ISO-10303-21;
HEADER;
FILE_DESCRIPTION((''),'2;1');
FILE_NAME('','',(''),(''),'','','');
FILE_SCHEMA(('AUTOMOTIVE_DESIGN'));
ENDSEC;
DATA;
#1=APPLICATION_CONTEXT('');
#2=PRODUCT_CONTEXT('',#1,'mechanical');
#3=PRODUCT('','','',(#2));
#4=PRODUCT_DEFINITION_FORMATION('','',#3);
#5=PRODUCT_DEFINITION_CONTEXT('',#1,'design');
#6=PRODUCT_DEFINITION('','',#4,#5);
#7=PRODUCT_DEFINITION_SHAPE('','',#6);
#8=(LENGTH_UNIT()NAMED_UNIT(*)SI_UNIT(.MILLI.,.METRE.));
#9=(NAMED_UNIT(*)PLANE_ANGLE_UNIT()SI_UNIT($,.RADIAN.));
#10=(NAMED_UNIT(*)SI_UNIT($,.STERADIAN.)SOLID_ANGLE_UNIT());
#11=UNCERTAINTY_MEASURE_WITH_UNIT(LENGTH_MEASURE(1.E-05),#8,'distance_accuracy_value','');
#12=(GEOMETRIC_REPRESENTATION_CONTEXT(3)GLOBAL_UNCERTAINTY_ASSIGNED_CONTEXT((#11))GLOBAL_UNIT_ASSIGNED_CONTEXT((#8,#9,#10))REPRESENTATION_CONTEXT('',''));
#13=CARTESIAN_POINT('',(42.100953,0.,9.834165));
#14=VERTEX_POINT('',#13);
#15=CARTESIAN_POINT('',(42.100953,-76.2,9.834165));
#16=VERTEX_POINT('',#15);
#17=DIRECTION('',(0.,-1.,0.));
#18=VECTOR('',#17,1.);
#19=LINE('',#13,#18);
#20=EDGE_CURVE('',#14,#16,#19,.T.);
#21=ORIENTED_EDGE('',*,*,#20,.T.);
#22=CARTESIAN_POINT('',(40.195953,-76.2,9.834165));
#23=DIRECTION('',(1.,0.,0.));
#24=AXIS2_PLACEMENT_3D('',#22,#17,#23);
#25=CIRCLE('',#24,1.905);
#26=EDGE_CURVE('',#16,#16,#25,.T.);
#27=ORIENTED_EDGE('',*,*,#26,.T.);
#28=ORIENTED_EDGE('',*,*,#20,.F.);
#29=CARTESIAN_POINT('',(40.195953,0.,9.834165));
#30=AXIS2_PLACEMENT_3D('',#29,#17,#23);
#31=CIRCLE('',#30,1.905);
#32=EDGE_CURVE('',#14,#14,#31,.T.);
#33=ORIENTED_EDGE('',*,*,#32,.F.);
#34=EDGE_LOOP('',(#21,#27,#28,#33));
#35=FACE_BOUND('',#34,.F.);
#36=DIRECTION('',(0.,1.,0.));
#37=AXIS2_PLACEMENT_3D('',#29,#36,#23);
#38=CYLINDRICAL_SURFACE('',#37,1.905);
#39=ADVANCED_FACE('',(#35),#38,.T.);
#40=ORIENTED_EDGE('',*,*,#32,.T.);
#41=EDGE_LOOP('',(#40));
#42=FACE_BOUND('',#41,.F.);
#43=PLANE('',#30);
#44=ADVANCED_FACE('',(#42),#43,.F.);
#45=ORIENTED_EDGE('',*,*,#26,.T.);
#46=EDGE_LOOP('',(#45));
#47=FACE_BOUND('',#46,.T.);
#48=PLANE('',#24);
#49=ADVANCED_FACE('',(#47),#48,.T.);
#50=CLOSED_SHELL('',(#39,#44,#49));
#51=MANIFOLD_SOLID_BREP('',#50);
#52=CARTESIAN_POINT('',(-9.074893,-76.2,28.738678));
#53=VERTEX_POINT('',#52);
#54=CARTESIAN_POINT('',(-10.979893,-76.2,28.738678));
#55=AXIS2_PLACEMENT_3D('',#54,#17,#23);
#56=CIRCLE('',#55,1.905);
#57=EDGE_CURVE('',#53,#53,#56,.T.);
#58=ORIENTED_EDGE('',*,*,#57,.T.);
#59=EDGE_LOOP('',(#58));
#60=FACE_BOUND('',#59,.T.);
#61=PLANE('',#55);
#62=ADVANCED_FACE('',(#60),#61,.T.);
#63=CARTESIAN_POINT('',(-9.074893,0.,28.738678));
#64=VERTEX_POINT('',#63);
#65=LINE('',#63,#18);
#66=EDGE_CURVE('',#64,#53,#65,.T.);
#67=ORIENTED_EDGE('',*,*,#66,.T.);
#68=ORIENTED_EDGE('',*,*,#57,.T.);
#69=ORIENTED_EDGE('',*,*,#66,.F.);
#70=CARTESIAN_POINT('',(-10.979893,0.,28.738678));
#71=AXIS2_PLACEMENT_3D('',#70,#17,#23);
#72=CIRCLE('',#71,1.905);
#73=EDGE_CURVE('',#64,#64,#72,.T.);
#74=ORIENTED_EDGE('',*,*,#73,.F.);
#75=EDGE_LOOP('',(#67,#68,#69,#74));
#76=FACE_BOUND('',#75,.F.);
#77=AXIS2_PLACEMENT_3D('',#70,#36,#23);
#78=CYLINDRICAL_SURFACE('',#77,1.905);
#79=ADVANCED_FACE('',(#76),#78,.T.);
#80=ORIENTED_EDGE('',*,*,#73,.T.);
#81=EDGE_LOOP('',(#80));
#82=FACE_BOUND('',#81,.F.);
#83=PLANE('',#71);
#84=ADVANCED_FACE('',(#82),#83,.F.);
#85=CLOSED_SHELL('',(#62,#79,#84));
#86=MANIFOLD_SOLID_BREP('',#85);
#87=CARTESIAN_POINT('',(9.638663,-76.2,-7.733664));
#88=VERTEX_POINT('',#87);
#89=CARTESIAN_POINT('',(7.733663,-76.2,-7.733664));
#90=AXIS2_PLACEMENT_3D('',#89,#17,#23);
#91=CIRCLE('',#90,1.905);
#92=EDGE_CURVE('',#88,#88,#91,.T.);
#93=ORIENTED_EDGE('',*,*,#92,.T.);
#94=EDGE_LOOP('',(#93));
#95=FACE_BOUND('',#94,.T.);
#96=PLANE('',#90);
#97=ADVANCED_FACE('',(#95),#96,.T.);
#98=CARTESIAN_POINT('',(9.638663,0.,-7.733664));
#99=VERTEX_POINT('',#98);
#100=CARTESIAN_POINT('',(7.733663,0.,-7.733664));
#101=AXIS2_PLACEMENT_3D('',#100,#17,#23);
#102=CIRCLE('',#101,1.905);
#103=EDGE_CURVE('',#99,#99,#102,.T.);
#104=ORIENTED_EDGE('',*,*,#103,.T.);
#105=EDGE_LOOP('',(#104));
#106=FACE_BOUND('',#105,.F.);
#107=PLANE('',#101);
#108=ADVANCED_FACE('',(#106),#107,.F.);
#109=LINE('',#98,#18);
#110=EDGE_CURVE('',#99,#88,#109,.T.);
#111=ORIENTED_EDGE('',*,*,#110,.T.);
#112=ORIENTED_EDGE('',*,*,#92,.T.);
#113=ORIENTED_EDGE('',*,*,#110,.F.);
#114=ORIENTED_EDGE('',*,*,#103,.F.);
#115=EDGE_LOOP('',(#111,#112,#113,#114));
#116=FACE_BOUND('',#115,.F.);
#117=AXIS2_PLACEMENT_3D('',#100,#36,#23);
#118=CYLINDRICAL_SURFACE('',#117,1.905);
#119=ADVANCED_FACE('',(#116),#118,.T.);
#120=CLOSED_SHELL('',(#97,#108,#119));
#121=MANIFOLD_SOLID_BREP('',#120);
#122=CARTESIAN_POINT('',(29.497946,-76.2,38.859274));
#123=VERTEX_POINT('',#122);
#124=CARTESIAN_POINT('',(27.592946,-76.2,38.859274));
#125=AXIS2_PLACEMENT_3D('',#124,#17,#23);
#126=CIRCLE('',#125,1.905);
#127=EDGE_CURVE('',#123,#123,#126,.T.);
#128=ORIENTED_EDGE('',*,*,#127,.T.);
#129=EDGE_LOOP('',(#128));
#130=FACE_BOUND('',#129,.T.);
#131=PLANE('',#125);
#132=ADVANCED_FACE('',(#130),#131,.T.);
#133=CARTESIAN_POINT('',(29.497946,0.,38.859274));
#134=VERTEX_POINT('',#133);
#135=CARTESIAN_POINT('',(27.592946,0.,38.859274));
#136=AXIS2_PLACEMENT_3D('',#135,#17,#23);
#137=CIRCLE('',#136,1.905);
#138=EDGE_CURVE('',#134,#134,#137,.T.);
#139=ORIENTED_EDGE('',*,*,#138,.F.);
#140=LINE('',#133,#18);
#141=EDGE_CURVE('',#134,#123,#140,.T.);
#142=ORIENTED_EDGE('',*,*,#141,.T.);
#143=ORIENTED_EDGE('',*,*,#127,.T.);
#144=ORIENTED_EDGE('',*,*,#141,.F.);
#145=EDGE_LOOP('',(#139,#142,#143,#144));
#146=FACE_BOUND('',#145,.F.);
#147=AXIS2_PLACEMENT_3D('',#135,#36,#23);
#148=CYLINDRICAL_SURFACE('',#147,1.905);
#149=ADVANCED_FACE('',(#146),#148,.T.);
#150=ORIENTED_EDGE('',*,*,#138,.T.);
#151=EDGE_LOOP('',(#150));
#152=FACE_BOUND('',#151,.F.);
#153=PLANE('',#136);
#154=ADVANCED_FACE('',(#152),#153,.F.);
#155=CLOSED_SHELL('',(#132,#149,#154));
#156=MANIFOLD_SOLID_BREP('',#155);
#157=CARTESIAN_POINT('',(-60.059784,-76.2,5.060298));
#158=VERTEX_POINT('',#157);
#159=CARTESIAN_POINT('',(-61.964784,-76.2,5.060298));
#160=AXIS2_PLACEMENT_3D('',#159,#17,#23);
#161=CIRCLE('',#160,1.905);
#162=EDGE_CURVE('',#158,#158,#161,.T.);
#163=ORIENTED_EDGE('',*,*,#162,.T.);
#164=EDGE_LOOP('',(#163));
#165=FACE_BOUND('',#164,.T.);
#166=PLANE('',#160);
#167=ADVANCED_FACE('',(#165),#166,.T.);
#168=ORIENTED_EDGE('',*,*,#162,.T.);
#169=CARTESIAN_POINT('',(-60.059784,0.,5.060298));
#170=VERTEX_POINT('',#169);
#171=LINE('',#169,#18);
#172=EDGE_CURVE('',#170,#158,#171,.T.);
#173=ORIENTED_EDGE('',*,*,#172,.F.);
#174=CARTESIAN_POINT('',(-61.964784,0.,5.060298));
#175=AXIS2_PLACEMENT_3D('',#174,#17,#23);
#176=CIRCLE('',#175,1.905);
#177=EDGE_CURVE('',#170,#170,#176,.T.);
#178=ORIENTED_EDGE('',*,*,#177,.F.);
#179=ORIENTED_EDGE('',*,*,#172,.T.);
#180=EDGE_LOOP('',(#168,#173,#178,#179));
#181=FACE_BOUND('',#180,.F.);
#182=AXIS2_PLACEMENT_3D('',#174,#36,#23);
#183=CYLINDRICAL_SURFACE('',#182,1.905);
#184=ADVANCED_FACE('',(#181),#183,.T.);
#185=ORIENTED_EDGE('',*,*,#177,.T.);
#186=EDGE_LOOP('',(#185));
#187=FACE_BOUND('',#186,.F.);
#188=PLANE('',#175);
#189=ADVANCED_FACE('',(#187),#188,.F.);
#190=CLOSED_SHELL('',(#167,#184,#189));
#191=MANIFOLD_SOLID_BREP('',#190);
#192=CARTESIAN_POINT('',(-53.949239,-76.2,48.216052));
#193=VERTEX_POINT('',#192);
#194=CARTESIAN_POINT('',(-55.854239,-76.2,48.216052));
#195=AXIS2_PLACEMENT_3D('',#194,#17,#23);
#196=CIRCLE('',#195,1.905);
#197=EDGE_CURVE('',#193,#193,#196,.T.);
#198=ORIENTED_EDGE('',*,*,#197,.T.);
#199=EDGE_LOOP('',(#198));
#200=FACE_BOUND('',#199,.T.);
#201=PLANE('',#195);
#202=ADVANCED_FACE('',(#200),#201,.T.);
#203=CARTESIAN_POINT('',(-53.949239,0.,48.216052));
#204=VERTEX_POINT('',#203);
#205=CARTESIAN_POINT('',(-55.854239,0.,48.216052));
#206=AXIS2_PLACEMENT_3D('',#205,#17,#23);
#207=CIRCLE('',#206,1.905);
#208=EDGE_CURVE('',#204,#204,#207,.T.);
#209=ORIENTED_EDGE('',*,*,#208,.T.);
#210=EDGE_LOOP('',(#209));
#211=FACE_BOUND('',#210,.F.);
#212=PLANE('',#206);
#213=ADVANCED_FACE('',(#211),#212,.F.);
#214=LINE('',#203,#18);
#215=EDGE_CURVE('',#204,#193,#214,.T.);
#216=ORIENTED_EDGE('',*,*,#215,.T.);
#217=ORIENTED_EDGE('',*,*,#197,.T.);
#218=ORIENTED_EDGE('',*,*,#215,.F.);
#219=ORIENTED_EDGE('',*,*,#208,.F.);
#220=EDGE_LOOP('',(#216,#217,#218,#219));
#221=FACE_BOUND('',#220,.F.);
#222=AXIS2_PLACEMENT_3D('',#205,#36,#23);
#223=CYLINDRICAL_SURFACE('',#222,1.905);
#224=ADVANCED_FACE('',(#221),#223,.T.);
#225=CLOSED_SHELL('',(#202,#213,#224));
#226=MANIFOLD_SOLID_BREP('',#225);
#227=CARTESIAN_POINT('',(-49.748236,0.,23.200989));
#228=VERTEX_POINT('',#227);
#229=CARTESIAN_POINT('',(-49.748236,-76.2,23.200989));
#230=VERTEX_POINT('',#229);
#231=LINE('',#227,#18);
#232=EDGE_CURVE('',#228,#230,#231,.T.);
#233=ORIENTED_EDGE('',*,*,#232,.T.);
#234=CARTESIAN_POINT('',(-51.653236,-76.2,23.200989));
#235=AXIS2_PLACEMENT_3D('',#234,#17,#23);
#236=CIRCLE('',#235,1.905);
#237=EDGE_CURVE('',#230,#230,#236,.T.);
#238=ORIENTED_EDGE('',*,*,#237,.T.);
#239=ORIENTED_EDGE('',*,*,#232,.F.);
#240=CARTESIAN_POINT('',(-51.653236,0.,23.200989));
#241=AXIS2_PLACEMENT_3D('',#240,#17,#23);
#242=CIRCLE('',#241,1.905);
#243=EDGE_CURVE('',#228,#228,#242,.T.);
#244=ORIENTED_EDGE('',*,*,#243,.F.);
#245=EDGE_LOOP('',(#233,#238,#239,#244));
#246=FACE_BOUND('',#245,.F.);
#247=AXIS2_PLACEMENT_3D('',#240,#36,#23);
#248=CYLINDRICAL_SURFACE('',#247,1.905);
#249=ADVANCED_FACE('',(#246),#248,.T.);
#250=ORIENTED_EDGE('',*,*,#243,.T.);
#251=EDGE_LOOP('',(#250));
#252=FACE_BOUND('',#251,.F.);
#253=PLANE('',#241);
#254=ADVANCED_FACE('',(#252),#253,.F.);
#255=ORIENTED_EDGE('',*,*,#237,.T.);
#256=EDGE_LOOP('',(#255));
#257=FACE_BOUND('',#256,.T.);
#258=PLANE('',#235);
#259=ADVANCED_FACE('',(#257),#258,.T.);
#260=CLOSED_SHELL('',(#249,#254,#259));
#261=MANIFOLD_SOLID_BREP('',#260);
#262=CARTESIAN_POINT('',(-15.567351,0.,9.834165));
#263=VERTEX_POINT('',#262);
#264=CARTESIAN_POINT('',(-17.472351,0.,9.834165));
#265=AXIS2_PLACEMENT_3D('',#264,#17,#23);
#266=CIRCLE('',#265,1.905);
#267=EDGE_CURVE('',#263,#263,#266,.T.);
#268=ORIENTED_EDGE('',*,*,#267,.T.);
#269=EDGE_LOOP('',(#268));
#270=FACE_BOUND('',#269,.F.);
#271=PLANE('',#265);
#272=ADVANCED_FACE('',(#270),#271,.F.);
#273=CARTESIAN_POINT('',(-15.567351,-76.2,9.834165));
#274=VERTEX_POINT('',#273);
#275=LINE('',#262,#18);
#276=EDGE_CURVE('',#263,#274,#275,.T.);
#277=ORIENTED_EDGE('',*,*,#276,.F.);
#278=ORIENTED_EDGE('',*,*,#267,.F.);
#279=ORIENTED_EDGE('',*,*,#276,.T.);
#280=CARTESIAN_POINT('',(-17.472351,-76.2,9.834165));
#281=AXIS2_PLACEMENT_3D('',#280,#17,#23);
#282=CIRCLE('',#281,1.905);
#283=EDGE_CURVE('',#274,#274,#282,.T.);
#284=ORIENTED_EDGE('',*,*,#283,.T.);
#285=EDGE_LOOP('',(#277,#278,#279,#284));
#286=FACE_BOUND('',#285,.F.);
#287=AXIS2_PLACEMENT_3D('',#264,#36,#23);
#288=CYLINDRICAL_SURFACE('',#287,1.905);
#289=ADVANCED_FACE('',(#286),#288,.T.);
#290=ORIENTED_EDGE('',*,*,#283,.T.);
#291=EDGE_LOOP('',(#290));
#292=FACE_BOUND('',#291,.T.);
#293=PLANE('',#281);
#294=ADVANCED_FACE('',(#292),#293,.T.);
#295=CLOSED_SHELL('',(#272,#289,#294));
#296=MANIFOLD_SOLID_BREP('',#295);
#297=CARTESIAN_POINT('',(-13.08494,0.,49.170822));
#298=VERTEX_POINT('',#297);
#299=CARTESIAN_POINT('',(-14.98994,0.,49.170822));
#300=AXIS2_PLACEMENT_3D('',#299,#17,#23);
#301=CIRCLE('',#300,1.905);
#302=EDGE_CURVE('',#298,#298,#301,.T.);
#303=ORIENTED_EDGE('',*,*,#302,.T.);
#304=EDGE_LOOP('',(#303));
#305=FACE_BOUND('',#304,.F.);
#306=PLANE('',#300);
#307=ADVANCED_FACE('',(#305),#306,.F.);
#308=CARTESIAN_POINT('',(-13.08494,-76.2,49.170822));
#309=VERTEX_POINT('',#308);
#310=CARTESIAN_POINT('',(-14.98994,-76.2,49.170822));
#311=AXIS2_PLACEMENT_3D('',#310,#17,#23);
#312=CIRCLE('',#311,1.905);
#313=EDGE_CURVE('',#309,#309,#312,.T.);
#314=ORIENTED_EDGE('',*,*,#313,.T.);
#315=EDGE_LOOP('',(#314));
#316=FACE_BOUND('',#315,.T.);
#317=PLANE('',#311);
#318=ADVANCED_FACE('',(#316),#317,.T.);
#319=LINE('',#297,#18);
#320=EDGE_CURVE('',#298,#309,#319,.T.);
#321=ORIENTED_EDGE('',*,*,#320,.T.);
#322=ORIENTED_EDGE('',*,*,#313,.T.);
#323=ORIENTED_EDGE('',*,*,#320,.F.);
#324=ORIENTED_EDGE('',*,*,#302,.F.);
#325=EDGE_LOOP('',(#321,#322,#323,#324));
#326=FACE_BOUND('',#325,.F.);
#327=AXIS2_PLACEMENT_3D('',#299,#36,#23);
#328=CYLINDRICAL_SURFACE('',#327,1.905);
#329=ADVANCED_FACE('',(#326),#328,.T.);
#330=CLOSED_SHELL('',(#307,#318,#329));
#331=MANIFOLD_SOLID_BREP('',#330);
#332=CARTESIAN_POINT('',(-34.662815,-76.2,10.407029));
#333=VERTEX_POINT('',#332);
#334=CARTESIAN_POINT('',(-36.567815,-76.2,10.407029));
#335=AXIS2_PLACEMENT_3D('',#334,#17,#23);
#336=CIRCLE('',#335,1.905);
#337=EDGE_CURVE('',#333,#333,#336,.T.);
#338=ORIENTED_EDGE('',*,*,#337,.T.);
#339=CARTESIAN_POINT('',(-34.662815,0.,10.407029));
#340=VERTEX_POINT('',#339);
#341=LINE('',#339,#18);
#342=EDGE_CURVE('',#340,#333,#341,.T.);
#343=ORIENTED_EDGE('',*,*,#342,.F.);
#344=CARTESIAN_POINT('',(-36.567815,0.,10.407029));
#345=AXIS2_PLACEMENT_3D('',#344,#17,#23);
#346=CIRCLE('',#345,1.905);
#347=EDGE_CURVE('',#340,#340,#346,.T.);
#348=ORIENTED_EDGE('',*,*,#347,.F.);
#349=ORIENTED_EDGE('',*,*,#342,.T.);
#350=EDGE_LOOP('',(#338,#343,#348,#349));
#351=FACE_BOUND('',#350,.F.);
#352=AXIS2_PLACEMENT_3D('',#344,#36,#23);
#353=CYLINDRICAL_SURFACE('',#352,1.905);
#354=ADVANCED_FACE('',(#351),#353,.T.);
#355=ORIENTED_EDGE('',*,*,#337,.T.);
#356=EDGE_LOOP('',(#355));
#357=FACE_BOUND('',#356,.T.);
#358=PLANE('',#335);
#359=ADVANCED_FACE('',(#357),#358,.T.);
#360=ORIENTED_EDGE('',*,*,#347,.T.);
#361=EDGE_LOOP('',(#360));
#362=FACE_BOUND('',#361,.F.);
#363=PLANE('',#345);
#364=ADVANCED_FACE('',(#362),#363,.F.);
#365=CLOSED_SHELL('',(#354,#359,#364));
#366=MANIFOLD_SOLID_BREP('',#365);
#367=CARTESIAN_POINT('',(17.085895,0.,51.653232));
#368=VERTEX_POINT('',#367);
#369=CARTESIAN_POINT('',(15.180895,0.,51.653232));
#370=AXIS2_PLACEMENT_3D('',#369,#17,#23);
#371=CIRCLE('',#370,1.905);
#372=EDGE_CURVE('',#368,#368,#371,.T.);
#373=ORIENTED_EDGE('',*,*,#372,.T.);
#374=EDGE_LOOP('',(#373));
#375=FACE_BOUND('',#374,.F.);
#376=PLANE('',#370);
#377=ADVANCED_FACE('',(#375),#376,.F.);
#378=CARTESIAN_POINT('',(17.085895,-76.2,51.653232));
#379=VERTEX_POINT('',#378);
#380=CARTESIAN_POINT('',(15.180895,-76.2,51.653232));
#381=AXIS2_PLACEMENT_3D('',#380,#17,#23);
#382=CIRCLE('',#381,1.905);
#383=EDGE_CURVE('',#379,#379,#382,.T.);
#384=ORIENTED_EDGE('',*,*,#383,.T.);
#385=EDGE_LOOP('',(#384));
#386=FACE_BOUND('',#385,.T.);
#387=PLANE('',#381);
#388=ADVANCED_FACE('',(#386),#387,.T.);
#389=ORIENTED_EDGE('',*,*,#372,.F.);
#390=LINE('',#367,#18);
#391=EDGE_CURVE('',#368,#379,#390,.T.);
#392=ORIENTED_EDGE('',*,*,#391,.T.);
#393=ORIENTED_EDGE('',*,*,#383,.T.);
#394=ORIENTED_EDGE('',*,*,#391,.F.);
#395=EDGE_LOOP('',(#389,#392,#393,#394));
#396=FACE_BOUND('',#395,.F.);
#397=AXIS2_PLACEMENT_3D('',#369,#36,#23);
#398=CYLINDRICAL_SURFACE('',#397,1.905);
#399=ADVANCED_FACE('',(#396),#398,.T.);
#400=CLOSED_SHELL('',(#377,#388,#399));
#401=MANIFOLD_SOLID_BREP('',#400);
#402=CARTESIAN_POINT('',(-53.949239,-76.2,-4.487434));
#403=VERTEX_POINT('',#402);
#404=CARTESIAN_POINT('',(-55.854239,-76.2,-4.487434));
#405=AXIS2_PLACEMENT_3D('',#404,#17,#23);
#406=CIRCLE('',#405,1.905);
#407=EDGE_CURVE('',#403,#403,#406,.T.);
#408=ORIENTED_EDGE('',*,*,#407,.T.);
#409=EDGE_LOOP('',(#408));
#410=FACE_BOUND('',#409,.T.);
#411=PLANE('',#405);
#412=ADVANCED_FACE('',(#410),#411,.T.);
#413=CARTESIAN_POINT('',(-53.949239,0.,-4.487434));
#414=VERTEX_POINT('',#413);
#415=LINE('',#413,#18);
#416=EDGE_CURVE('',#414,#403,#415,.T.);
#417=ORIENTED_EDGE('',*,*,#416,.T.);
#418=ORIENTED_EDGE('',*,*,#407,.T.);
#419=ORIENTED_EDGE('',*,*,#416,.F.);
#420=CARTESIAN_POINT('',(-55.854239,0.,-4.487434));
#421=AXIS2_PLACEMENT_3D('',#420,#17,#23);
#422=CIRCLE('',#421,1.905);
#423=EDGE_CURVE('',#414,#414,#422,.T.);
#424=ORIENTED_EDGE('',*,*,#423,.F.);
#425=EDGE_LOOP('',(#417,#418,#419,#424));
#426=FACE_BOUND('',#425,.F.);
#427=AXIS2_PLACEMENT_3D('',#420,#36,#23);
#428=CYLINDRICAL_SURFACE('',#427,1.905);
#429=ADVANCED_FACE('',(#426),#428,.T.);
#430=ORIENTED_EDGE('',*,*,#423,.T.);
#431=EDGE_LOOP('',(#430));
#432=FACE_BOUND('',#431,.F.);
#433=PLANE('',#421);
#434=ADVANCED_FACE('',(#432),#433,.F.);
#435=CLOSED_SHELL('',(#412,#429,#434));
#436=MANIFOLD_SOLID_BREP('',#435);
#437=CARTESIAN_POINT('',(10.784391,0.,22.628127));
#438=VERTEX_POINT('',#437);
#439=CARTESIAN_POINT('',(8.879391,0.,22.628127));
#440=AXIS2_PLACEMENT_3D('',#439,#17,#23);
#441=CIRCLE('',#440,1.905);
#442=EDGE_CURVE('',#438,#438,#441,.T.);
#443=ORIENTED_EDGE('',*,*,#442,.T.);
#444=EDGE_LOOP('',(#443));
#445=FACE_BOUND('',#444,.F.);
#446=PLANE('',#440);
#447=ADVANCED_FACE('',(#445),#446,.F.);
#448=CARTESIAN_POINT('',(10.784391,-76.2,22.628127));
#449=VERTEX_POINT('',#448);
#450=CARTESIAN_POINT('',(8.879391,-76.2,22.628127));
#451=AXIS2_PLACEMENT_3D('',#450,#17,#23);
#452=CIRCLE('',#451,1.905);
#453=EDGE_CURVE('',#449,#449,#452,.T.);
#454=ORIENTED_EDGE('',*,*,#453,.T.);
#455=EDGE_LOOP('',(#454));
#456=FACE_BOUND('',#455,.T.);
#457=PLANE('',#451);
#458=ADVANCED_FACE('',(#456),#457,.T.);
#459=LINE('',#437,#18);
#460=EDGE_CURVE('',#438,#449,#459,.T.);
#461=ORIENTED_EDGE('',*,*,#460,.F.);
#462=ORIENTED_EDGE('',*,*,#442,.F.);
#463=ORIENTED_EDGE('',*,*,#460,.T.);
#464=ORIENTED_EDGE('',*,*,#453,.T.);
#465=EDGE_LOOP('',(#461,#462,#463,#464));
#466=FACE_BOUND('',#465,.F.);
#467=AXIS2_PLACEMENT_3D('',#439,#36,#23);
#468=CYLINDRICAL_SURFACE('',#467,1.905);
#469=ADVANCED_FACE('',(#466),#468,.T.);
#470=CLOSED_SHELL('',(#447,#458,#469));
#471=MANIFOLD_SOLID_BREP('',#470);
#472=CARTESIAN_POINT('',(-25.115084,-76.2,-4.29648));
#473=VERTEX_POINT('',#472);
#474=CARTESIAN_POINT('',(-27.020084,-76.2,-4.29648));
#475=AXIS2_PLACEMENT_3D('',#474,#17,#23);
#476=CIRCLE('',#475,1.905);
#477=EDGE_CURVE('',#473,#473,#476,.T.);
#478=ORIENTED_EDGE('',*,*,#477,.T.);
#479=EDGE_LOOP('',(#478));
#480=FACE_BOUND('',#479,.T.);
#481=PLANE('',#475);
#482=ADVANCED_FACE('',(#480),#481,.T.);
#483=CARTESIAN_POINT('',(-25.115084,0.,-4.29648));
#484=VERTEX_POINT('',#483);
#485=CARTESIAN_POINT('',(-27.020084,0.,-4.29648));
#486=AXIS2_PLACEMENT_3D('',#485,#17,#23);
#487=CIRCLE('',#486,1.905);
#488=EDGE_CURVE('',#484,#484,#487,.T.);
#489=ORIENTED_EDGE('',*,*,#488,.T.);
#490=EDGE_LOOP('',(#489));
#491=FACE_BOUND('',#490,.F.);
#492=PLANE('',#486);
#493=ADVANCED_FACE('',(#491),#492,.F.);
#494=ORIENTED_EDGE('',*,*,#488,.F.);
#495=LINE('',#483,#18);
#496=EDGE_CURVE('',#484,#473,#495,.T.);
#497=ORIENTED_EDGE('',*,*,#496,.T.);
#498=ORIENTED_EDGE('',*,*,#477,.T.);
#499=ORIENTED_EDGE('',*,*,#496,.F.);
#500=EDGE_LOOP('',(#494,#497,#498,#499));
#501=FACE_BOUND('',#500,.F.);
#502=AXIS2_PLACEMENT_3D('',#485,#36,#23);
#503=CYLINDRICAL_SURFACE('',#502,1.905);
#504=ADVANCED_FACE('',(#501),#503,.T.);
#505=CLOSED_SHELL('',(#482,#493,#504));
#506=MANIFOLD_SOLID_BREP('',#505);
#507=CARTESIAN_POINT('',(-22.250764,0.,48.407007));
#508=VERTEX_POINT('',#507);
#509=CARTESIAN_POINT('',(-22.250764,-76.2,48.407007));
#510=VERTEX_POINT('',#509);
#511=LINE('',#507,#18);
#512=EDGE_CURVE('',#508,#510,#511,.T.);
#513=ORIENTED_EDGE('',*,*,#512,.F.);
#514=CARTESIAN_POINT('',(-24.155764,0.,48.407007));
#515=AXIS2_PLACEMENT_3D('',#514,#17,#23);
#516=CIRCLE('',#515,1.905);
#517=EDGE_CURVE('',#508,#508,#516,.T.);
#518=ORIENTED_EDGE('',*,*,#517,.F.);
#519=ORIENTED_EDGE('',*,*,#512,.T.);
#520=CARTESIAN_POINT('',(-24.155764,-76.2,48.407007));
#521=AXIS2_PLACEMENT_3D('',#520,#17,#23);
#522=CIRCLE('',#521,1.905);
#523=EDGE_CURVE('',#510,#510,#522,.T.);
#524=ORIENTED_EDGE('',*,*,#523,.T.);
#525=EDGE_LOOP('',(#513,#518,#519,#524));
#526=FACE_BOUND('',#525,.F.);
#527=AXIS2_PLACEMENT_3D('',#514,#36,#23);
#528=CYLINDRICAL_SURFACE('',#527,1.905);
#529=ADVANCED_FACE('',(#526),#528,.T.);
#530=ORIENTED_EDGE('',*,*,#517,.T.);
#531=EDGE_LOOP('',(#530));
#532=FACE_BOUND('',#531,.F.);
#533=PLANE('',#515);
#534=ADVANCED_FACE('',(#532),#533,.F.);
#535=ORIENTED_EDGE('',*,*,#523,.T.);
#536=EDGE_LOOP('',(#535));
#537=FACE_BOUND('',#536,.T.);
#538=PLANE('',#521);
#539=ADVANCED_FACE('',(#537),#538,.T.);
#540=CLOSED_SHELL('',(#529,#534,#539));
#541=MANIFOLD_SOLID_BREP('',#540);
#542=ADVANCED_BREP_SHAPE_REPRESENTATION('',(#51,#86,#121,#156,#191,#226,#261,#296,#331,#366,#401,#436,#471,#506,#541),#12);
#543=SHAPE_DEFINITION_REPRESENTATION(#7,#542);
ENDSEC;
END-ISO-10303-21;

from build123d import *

# Parameters (mm, degrees)
F0_R     = 1.905
F1_DEPTH = 76.2


with BuildPart() as f1:
    # F0 (on Front) → F1 (new body)
    with BuildSketch(Plane.XZ):
        with Locations((-17.472351, 9.834165)):
            Circle(F0_R)
        with Locations((-10.979893, 28.738678)):
            Circle(F0_R)
        with Locations((-14.98994, 49.170822)):
            Circle(F0_R)
        with Locations((-24.155764, 48.407007)):
            Circle(F0_R)
        with Locations((-55.854239, 48.216052)):
            Circle(F0_R)
        with Locations((-51.653236, 23.200989)):
            Circle(F0_R)
        with Locations((-61.964784, 5.060298)):
            Circle(F0_R)
        with Locations((-55.854239, -4.487434)):
            Circle(F0_R)
        with Locations((-36.567815, 10.407029)):
            Circle(F0_R)
        with Locations((-27.020084, -4.29648)):
            Circle(F0_R)
        with Locations((7.733663, -7.733664)):
            Circle(F0_R)
        with Locations((8.879391, 22.628127)):
            Circle(F0_R)
        with Locations((15.180895, 51.653232)):
            Circle(F0_R)
        with Locations((27.592946, 38.859274)):
            Circle(F0_R)
        with Locations((40.195953, 9.834165)):
            Circle(F0_R)
    extrude(amount=F1_DEPTH)


solid = f1.part
